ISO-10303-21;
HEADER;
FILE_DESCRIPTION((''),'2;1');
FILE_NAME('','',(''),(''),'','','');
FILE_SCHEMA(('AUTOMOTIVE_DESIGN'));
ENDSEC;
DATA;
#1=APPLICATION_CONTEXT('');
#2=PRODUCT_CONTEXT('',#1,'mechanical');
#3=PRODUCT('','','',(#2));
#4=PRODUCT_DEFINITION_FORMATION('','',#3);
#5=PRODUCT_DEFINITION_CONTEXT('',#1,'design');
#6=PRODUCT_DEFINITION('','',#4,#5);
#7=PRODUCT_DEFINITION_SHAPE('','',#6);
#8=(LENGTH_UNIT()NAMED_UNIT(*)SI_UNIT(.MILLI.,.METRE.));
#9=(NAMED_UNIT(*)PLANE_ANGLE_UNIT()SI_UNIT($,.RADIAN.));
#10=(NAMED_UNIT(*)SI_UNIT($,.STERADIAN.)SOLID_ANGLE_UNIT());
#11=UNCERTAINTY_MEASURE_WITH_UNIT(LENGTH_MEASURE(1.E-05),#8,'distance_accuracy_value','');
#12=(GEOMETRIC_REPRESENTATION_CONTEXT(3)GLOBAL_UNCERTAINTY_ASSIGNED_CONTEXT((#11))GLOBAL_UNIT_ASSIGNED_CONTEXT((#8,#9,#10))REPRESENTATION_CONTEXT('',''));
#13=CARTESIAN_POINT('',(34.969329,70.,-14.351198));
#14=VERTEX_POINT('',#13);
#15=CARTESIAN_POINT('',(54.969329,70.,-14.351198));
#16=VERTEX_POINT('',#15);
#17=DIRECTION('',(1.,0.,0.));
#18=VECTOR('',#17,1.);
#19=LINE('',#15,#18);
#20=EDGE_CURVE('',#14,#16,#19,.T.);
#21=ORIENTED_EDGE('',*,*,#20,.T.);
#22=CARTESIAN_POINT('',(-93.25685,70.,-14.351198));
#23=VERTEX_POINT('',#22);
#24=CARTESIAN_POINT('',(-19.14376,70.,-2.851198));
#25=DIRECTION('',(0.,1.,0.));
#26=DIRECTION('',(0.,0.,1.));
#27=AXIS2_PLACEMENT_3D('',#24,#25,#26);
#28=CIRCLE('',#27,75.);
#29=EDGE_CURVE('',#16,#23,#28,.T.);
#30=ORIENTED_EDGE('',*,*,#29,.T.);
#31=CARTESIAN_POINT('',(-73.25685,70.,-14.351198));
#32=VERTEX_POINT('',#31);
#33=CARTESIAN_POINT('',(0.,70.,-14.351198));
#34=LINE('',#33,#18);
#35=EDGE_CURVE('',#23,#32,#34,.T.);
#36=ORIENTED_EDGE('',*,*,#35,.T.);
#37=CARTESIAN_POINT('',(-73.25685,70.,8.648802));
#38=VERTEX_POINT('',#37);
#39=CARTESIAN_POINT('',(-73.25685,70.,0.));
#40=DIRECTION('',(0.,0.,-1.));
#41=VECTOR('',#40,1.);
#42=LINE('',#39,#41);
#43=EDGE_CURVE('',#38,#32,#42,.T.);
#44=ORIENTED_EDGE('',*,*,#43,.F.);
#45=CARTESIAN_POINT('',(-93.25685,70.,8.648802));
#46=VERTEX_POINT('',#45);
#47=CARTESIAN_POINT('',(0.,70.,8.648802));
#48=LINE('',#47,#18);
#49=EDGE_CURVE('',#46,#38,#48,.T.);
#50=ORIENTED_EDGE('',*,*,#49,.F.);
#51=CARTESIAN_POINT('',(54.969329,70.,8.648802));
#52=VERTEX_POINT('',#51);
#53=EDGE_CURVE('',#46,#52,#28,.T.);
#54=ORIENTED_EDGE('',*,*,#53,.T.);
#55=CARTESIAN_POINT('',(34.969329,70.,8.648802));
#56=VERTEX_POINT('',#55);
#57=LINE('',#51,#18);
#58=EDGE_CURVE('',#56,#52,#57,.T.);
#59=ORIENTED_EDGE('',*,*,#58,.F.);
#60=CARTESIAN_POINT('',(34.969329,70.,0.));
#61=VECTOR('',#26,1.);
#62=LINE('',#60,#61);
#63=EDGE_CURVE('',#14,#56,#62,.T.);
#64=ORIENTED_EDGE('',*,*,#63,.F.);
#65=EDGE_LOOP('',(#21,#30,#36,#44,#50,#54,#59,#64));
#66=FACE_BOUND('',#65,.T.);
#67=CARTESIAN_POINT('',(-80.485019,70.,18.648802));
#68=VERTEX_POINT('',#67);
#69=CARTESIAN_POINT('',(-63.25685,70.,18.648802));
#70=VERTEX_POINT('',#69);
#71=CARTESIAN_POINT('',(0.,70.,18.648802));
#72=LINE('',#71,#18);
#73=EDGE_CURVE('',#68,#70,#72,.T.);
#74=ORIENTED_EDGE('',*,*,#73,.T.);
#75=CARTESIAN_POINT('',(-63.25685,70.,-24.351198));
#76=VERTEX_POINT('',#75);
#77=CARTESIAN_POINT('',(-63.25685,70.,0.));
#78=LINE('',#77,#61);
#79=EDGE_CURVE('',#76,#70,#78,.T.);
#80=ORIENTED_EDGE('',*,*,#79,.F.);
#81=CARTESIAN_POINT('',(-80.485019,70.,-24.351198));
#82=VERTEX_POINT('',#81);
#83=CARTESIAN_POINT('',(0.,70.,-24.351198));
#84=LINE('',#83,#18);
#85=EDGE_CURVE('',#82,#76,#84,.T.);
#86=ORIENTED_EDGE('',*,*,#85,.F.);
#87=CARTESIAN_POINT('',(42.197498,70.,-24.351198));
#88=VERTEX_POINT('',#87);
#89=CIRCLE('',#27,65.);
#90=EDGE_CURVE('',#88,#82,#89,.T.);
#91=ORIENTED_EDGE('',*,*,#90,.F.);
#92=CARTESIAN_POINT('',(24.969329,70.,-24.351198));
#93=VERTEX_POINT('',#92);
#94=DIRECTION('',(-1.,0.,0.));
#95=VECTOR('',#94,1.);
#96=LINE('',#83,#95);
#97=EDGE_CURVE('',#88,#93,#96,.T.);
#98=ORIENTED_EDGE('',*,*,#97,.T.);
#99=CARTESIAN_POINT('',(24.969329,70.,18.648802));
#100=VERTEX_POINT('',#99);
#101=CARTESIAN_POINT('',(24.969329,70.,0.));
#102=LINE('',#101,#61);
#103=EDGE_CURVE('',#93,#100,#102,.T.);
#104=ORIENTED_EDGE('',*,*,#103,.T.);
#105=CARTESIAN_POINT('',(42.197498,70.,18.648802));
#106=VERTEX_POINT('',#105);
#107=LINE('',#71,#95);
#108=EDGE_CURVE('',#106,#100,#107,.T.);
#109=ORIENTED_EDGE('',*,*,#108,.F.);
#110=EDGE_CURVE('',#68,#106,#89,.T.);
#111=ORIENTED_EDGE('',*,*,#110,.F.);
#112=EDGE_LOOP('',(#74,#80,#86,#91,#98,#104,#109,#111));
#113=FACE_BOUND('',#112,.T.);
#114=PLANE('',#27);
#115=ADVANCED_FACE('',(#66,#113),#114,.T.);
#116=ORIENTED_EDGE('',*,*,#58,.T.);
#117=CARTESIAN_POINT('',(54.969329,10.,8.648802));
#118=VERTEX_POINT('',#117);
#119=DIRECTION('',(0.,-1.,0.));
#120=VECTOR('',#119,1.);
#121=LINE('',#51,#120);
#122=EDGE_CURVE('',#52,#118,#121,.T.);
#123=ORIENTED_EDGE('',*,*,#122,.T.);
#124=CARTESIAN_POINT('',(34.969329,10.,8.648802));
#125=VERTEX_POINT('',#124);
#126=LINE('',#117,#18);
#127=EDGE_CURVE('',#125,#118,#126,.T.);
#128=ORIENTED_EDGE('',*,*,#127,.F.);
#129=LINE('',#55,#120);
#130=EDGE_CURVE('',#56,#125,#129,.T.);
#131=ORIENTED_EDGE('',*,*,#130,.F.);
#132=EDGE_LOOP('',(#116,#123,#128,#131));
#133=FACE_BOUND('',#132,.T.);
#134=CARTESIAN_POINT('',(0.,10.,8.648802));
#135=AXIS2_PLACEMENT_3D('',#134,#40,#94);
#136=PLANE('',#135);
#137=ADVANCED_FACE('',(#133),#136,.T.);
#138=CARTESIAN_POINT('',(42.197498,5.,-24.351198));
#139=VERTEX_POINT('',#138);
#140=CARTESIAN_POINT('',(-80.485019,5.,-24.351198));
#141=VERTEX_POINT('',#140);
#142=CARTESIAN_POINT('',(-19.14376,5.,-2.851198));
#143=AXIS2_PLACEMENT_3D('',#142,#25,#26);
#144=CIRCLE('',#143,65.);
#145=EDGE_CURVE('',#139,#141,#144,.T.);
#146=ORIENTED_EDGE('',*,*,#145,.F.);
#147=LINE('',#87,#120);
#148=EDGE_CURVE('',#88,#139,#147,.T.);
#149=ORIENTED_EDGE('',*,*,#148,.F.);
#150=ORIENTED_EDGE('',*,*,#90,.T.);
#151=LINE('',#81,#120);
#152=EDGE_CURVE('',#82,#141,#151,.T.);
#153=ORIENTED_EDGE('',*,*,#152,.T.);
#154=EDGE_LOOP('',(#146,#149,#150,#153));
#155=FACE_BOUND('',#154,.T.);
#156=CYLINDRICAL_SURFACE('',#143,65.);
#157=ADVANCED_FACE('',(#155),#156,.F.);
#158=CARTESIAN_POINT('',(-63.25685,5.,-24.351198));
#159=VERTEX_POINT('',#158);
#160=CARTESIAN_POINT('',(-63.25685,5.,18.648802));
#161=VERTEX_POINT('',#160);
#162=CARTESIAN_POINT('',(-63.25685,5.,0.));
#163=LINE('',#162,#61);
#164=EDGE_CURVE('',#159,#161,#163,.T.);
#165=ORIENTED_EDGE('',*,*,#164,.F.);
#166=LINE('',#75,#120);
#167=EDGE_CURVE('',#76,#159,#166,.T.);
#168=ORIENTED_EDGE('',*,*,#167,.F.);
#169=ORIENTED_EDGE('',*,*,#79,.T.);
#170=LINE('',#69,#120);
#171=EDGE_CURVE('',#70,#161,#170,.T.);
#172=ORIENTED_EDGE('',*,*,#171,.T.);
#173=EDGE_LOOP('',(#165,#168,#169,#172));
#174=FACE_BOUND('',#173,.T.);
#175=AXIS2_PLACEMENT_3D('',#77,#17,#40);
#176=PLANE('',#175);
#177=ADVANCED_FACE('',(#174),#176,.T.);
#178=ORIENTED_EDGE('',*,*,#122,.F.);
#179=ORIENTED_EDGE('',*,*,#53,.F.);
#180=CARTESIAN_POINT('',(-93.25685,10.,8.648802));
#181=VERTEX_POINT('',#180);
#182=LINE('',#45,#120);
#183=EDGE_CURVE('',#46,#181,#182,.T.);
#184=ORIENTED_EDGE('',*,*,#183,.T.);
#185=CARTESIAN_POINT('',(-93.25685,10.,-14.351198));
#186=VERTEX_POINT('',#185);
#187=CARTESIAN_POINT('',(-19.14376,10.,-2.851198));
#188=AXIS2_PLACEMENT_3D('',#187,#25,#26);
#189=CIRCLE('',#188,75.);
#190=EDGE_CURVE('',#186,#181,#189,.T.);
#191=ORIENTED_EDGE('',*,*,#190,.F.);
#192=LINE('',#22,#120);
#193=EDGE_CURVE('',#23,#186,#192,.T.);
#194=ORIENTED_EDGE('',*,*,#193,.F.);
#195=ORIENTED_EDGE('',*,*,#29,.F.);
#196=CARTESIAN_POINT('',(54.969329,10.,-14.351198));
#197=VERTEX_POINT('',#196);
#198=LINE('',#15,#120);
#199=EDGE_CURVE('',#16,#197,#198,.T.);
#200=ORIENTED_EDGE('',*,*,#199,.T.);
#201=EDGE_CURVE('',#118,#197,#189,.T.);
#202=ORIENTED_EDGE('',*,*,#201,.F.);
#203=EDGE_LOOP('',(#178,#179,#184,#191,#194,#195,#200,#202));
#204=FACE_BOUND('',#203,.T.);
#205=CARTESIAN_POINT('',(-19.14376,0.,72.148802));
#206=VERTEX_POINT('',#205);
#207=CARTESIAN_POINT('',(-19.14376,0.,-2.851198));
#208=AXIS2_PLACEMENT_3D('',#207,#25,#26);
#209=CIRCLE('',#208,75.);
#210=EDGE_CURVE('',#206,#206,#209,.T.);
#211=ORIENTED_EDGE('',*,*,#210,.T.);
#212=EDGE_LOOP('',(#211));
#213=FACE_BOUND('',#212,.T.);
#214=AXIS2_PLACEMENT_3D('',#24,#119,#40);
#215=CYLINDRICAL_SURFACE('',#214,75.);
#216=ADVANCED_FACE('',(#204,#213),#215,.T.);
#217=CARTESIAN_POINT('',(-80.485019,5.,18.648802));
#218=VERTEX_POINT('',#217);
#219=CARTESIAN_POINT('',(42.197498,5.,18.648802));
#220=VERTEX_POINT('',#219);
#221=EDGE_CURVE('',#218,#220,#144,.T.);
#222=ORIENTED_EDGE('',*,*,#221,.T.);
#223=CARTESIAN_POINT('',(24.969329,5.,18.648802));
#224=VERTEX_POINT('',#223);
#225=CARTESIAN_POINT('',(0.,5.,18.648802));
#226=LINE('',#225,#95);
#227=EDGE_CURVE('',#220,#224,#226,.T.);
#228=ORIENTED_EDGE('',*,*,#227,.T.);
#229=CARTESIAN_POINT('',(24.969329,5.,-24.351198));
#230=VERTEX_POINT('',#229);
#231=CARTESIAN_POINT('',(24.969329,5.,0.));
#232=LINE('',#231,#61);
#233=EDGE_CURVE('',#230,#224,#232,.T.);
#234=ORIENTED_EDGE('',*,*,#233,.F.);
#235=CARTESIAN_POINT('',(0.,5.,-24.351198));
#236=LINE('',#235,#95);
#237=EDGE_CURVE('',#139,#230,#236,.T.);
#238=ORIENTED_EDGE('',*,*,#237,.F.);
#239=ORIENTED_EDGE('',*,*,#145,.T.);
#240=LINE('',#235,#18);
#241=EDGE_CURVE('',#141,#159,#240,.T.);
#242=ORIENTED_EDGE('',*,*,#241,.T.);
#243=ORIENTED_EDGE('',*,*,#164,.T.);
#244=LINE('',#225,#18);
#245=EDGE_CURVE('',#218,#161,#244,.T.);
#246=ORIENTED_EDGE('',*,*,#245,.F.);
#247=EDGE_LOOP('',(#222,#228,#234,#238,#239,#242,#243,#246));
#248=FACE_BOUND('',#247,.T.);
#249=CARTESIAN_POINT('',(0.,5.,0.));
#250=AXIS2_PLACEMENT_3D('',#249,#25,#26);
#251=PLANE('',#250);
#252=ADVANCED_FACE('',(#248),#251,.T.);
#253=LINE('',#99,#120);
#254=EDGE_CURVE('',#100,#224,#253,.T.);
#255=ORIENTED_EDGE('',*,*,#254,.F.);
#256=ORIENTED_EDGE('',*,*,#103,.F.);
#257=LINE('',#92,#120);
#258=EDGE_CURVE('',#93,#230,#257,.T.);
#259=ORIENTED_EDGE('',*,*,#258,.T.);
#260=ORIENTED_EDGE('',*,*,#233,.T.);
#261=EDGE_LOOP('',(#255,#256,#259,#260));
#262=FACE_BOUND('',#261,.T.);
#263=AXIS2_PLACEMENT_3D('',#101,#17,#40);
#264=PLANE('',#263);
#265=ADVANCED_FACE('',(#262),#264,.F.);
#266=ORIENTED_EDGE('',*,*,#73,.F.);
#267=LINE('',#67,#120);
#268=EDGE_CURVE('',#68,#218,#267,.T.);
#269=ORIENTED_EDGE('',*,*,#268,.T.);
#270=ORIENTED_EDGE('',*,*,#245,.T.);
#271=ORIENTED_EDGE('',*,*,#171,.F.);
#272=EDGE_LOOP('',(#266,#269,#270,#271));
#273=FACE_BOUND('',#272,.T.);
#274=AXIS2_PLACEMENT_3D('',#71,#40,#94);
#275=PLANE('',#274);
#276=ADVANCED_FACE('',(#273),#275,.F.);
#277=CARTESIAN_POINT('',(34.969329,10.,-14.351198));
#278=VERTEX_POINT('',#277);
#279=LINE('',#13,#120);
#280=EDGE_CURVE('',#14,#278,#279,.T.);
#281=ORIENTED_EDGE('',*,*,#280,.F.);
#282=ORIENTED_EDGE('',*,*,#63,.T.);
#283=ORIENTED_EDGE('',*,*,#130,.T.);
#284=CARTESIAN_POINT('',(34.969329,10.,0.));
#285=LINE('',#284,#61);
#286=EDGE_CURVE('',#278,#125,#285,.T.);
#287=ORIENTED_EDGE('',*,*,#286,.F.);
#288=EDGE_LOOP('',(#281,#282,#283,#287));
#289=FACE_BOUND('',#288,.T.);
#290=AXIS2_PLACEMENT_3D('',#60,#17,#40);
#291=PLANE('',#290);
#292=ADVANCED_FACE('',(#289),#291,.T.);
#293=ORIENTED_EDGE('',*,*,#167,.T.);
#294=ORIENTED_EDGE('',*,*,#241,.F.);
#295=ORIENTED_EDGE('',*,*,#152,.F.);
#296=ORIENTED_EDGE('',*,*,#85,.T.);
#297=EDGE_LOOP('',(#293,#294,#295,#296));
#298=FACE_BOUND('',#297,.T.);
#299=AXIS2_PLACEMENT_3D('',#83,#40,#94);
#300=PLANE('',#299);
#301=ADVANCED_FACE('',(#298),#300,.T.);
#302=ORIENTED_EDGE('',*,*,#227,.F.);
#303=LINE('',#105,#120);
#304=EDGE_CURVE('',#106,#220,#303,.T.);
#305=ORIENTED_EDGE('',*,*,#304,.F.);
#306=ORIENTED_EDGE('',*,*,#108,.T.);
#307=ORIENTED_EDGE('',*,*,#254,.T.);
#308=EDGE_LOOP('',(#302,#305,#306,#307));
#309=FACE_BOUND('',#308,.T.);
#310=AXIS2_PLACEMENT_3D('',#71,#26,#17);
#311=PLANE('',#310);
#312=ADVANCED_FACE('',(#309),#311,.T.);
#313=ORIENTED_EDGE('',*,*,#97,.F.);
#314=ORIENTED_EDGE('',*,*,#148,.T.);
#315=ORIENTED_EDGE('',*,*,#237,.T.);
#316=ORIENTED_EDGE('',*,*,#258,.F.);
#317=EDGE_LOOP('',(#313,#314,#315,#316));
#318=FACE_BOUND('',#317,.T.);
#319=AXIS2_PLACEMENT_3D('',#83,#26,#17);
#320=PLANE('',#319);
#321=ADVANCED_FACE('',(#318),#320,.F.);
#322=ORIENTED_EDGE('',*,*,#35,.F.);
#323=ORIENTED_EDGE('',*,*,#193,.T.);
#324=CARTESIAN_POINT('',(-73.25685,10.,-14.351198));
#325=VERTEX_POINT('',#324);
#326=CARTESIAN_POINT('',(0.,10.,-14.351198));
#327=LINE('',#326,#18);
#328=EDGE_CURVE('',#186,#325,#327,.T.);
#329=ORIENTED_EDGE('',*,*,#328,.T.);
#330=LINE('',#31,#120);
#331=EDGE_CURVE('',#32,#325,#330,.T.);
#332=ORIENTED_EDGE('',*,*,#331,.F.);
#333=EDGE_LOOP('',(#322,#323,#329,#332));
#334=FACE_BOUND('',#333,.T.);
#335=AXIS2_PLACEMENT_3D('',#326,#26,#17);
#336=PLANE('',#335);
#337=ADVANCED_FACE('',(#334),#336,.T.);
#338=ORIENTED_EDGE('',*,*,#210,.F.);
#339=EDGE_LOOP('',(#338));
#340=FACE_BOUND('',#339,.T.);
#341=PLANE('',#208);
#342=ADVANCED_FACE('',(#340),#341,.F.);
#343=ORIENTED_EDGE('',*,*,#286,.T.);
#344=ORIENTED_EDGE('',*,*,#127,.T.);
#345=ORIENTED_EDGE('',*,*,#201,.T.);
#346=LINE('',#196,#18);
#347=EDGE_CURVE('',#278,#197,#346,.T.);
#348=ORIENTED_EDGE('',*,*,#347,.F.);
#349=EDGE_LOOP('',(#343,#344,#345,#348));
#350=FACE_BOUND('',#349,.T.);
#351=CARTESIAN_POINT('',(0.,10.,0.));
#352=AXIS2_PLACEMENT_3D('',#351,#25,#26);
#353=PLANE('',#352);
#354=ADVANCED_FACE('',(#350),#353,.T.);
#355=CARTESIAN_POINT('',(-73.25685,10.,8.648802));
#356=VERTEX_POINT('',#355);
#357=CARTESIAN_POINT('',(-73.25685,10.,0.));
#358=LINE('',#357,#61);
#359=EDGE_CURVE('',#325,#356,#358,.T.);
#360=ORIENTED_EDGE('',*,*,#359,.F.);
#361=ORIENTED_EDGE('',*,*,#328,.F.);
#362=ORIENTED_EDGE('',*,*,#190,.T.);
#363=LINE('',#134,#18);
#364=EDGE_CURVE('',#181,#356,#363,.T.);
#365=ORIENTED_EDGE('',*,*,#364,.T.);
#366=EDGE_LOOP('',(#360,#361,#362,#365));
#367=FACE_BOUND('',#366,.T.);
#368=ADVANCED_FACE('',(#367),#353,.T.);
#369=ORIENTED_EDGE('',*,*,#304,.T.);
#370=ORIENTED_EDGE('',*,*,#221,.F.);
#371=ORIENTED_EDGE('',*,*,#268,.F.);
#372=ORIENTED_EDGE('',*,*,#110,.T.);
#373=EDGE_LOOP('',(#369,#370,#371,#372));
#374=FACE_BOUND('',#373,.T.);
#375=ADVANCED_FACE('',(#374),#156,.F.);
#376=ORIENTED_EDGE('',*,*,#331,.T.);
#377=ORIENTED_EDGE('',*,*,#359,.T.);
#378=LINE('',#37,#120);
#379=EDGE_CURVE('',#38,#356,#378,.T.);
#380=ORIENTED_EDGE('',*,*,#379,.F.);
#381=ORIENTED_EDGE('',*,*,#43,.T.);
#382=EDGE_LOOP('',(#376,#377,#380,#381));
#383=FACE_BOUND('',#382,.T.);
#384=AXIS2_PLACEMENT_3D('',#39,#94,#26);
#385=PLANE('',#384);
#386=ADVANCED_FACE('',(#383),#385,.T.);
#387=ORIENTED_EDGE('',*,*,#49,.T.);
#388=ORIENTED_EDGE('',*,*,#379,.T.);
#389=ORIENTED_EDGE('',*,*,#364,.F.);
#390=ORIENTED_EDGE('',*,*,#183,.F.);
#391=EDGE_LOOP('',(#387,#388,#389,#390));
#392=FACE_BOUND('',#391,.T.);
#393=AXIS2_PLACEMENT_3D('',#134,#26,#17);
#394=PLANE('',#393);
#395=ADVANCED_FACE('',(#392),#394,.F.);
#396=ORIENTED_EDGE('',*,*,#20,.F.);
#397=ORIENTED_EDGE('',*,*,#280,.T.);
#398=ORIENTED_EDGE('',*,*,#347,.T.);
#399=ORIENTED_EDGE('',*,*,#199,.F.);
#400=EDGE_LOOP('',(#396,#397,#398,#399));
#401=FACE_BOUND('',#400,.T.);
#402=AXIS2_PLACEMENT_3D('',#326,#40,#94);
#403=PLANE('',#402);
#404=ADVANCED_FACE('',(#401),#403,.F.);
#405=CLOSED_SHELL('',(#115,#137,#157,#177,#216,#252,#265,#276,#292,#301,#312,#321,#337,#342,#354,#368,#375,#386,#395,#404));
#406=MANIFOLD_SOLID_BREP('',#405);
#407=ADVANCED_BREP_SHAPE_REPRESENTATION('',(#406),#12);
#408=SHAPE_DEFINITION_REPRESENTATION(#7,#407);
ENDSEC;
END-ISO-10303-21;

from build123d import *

# Parameters (mm, degrees)
SKETCH1_R           = 75
BOSS_EXTRUDE1_DEPTH = 70
CUT_EXTRUDE1_DEPTH  = 65
SKETCH3_3_W         = 21.992128126
SKETCH3_3_H         = 23
SKETCH3_3_W_2       = 22.893011501
CUT_EXTRUDE3_DEPTH  = 60
BOSS_EXTRUDE2_START = 65
BOSS_EXTRUDE2_DEPTH = 65


with BuildPart() as part:
    # Sketch1 → Boss-Extrude1 (new body)
    with BuildSketch(Plane(origin=(0, 0, 0), x_dir=(1, 0, 0), z_dir=(0, 1, 0))):
        with Locations((-19.143760263, 2.851198337)):
            Circle(SKETCH1_R)
    extrude(amount=BOSS_EXTRUDE1_DEPTH)

    # Sketch3 → Cut-Extrude1 (cut)
    with BuildSketch(Plane(origin=(0, 70, 0), x_dir=(1, 0, 0), z_dir=(0, 1, 0))):
        with BuildLine():
            Line((34.969329, 14.351198337), (44.830844074, 14.351198337))
            ThreePointArc((44.830844074, 14.351198337), (-19.143760263, 67.851198337), (-83.118364599, 14.351198337))
            Line((-83.118364599, 14.351198337), (-73.256849525, 14.351198337))
            Line((-73.256849525, 14.351198337), (-73.256849525, -8.648801663))
            Line((-73.256849525, -8.648801663), (-83.118364599, -8.648801663))
            ThreePointArc((-83.118364599, -8.648801663), (-19.143760263, -62.148801663), (44.830844074, -8.648801663))
            Line((44.830844074, -8.648801663), (34.969329, -8.648801663))
            Line((34.969329, -8.648801663), (34.969329, 14.351198337))
        make_face()
    extrude(amount=-CUT_EXTRUDE1_DEPTH, mode=Mode.SUBTRACT)

    # Sketch3<3> → Cut-Extrude3 (cut)
    with BuildSketch(Plane(origin=(0, 70, 0), x_dir=(1, 0, 0), z_dir=(0, 1, 0))):
        with Locations((45.965393063, 2.851198337)):
            Rectangle(SKETCH3_3_W, SKETCH3_3_H)
        with Locations((-84.703355276, 2.851198337)):
            Rectangle(SKETCH3_3_W_2, SKETCH3_3_H)
    extrude(amount=-CUT_EXTRUDE3_DEPTH, mode=Mode.SUBTRACT)

    # Sketch6 → Boss-Extrude2 (add)
    with BuildSketch(Plane(origin=(0, 5, 0), x_dir=(1, 0, 0), z_dir=(0, 1, 0)).offset(BOSS_EXTRUDE2_START)):
        with BuildLine():
            ThreePointArc((-80.485018809, 24.351198337), (-82.000871018, 19.403649138), (-83.118364599, 14.351198337))
            Line((-83.118364599, 14.351198337), (-73.256849525, 14.351198337))
            Line((-73.256849525, 14.351198337), (-73.256849525, -8.648801663))
            Line((-73.256849525, -8.648801663), (-83.118364599, -8.648801663))
            ThreePointArc((-83.118364599, -8.648801663), (-82.000871018, -13.701252464), (-80.485018809, -18.648801663))
            Line((-80.485018809, -18.648801663), (-63.256849525, -18.648801663))
            Line((-63.256849525, -18.648801663), (-63.256849525, 24.351198337))
            Line((-63.256849525, 24.351198337), (-80.485018809, 24.351198337))
        make_face()
        with BuildLine():
            ThreePointArc((44.830844074, 14.351198337), (43.713350492, 19.403649138), (42.197498283, 24.351198337))
            Line((42.197498283, 24.351198337), (24.969329, 24.351198337))
            Line((24.969329, 24.351198337), (24.969329, -18.648801663))
            Line((24.969329, -18.648801663), (42.197498283, -18.648801663))
            ThreePointArc((42.197498283, -18.648801663), (43.713350492, -13.701252464), (44.830844074, -8.648801663))
            Line((44.830844074, -8.648801663), (34.969329, -8.648801663))
            Line((34.969329, -8.648801663), (34.969329, 14.351198337))
            Line((34.969329, 14.351198337), (44.830844074, 14.351198337))
        make_face()
    extrude(amount=-BOSS_EXTRUDE2_DEPTH)


solid = part.part
